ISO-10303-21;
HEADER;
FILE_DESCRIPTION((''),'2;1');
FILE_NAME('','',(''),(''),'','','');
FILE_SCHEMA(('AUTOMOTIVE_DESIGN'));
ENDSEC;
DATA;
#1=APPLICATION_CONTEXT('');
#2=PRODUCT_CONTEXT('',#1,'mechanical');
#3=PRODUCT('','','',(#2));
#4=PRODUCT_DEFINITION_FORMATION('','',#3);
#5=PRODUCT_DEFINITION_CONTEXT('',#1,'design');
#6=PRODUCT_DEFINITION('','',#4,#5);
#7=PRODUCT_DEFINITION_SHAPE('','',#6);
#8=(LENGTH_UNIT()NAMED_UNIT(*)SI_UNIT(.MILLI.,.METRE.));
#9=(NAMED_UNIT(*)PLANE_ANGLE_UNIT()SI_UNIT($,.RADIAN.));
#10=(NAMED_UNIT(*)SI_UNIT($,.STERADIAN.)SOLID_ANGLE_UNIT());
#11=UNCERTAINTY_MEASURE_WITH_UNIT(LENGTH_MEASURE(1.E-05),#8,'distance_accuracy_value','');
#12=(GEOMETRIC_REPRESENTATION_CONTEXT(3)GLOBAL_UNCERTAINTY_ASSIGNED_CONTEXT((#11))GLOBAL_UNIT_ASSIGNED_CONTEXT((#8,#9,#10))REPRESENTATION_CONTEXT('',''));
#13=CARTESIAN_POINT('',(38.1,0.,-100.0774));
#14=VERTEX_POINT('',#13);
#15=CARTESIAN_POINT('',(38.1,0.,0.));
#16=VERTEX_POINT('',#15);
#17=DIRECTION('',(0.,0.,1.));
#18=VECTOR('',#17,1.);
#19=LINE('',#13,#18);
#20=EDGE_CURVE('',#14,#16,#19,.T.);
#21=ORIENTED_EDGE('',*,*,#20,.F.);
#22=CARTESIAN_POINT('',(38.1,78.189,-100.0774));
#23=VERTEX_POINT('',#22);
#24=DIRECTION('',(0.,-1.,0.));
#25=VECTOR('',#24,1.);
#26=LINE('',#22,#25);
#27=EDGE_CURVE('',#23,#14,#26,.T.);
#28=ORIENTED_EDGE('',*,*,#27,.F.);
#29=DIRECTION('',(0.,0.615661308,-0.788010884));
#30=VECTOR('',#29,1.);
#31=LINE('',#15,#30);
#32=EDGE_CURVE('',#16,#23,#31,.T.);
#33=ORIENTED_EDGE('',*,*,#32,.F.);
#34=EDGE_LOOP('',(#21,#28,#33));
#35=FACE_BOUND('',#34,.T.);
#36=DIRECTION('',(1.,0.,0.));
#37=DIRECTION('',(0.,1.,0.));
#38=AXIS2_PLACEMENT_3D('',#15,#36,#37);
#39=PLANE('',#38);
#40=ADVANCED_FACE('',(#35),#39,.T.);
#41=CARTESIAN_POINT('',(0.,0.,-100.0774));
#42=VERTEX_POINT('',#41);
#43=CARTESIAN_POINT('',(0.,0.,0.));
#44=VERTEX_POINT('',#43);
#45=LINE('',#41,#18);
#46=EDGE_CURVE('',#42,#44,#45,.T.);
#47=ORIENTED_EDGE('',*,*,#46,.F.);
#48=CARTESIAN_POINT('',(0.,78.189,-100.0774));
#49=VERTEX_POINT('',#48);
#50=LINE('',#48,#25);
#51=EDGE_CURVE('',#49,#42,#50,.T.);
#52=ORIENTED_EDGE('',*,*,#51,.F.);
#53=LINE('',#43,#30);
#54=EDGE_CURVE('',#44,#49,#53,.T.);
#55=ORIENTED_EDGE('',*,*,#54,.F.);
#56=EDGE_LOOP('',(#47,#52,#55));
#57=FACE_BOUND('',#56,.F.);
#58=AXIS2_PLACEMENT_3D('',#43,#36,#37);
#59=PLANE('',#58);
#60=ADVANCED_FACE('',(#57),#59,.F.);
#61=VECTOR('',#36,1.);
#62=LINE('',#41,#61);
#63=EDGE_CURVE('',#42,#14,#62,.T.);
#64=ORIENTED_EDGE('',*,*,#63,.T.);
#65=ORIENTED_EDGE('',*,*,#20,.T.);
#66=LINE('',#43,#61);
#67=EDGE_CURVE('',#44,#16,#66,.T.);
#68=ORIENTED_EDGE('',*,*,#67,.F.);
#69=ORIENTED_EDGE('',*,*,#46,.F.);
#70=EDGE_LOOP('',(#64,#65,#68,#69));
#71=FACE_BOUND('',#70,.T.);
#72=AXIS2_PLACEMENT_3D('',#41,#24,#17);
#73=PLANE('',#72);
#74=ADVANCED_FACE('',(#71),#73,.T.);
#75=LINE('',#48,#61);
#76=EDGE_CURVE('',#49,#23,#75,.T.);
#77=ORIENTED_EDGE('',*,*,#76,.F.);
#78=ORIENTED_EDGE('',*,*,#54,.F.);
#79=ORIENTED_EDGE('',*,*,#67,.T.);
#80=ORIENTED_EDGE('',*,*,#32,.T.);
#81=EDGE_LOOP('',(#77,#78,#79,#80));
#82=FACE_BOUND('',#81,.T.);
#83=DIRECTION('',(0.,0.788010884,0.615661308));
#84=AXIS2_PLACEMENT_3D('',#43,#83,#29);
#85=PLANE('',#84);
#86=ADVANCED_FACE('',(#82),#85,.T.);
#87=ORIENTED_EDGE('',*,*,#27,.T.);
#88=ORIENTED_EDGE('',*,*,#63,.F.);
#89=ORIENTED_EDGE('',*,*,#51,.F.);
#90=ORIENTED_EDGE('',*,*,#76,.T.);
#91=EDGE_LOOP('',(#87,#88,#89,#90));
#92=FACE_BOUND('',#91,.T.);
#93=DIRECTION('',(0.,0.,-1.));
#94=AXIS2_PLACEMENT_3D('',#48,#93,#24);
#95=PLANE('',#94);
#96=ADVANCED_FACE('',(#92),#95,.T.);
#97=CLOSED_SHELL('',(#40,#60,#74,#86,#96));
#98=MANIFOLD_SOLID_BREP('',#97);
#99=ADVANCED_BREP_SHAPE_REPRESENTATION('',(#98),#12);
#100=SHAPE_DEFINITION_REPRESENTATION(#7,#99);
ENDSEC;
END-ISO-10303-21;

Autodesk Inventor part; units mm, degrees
ref_plane "YZ Plane" through (0, 0, 0) normal (1, 0, 0) x (0, 1, 0)
ref_plane "XZ Plane" through (0, 0, 0) normal (0, 1, 0) x (-1, 0, 0)
ref_plane "XY Plane" through (0, 0, 0) normal (0, 0, 1) x (1, 0, 0)
sketch "Sketch1" plane through (0, 0, 0) normal (1, 0, 0) x (0, 1, 0)
  line L0 (0, 0) -> (78.189, -100.0774)
  line L1 (0, 0) -> (127, 0) construction
  line L2 (78.189, -100.0774) -> (0, -100.0774)
  line L3 (0, -100.0774) -> (0, 0)
  dimension "d0" = 127
  dimension "d1" = 52
extrude "Extrusion1" add sketch "Sketch1" along normal blind 38.1
properties part number "endBlock" material "Wood (Birch)"
